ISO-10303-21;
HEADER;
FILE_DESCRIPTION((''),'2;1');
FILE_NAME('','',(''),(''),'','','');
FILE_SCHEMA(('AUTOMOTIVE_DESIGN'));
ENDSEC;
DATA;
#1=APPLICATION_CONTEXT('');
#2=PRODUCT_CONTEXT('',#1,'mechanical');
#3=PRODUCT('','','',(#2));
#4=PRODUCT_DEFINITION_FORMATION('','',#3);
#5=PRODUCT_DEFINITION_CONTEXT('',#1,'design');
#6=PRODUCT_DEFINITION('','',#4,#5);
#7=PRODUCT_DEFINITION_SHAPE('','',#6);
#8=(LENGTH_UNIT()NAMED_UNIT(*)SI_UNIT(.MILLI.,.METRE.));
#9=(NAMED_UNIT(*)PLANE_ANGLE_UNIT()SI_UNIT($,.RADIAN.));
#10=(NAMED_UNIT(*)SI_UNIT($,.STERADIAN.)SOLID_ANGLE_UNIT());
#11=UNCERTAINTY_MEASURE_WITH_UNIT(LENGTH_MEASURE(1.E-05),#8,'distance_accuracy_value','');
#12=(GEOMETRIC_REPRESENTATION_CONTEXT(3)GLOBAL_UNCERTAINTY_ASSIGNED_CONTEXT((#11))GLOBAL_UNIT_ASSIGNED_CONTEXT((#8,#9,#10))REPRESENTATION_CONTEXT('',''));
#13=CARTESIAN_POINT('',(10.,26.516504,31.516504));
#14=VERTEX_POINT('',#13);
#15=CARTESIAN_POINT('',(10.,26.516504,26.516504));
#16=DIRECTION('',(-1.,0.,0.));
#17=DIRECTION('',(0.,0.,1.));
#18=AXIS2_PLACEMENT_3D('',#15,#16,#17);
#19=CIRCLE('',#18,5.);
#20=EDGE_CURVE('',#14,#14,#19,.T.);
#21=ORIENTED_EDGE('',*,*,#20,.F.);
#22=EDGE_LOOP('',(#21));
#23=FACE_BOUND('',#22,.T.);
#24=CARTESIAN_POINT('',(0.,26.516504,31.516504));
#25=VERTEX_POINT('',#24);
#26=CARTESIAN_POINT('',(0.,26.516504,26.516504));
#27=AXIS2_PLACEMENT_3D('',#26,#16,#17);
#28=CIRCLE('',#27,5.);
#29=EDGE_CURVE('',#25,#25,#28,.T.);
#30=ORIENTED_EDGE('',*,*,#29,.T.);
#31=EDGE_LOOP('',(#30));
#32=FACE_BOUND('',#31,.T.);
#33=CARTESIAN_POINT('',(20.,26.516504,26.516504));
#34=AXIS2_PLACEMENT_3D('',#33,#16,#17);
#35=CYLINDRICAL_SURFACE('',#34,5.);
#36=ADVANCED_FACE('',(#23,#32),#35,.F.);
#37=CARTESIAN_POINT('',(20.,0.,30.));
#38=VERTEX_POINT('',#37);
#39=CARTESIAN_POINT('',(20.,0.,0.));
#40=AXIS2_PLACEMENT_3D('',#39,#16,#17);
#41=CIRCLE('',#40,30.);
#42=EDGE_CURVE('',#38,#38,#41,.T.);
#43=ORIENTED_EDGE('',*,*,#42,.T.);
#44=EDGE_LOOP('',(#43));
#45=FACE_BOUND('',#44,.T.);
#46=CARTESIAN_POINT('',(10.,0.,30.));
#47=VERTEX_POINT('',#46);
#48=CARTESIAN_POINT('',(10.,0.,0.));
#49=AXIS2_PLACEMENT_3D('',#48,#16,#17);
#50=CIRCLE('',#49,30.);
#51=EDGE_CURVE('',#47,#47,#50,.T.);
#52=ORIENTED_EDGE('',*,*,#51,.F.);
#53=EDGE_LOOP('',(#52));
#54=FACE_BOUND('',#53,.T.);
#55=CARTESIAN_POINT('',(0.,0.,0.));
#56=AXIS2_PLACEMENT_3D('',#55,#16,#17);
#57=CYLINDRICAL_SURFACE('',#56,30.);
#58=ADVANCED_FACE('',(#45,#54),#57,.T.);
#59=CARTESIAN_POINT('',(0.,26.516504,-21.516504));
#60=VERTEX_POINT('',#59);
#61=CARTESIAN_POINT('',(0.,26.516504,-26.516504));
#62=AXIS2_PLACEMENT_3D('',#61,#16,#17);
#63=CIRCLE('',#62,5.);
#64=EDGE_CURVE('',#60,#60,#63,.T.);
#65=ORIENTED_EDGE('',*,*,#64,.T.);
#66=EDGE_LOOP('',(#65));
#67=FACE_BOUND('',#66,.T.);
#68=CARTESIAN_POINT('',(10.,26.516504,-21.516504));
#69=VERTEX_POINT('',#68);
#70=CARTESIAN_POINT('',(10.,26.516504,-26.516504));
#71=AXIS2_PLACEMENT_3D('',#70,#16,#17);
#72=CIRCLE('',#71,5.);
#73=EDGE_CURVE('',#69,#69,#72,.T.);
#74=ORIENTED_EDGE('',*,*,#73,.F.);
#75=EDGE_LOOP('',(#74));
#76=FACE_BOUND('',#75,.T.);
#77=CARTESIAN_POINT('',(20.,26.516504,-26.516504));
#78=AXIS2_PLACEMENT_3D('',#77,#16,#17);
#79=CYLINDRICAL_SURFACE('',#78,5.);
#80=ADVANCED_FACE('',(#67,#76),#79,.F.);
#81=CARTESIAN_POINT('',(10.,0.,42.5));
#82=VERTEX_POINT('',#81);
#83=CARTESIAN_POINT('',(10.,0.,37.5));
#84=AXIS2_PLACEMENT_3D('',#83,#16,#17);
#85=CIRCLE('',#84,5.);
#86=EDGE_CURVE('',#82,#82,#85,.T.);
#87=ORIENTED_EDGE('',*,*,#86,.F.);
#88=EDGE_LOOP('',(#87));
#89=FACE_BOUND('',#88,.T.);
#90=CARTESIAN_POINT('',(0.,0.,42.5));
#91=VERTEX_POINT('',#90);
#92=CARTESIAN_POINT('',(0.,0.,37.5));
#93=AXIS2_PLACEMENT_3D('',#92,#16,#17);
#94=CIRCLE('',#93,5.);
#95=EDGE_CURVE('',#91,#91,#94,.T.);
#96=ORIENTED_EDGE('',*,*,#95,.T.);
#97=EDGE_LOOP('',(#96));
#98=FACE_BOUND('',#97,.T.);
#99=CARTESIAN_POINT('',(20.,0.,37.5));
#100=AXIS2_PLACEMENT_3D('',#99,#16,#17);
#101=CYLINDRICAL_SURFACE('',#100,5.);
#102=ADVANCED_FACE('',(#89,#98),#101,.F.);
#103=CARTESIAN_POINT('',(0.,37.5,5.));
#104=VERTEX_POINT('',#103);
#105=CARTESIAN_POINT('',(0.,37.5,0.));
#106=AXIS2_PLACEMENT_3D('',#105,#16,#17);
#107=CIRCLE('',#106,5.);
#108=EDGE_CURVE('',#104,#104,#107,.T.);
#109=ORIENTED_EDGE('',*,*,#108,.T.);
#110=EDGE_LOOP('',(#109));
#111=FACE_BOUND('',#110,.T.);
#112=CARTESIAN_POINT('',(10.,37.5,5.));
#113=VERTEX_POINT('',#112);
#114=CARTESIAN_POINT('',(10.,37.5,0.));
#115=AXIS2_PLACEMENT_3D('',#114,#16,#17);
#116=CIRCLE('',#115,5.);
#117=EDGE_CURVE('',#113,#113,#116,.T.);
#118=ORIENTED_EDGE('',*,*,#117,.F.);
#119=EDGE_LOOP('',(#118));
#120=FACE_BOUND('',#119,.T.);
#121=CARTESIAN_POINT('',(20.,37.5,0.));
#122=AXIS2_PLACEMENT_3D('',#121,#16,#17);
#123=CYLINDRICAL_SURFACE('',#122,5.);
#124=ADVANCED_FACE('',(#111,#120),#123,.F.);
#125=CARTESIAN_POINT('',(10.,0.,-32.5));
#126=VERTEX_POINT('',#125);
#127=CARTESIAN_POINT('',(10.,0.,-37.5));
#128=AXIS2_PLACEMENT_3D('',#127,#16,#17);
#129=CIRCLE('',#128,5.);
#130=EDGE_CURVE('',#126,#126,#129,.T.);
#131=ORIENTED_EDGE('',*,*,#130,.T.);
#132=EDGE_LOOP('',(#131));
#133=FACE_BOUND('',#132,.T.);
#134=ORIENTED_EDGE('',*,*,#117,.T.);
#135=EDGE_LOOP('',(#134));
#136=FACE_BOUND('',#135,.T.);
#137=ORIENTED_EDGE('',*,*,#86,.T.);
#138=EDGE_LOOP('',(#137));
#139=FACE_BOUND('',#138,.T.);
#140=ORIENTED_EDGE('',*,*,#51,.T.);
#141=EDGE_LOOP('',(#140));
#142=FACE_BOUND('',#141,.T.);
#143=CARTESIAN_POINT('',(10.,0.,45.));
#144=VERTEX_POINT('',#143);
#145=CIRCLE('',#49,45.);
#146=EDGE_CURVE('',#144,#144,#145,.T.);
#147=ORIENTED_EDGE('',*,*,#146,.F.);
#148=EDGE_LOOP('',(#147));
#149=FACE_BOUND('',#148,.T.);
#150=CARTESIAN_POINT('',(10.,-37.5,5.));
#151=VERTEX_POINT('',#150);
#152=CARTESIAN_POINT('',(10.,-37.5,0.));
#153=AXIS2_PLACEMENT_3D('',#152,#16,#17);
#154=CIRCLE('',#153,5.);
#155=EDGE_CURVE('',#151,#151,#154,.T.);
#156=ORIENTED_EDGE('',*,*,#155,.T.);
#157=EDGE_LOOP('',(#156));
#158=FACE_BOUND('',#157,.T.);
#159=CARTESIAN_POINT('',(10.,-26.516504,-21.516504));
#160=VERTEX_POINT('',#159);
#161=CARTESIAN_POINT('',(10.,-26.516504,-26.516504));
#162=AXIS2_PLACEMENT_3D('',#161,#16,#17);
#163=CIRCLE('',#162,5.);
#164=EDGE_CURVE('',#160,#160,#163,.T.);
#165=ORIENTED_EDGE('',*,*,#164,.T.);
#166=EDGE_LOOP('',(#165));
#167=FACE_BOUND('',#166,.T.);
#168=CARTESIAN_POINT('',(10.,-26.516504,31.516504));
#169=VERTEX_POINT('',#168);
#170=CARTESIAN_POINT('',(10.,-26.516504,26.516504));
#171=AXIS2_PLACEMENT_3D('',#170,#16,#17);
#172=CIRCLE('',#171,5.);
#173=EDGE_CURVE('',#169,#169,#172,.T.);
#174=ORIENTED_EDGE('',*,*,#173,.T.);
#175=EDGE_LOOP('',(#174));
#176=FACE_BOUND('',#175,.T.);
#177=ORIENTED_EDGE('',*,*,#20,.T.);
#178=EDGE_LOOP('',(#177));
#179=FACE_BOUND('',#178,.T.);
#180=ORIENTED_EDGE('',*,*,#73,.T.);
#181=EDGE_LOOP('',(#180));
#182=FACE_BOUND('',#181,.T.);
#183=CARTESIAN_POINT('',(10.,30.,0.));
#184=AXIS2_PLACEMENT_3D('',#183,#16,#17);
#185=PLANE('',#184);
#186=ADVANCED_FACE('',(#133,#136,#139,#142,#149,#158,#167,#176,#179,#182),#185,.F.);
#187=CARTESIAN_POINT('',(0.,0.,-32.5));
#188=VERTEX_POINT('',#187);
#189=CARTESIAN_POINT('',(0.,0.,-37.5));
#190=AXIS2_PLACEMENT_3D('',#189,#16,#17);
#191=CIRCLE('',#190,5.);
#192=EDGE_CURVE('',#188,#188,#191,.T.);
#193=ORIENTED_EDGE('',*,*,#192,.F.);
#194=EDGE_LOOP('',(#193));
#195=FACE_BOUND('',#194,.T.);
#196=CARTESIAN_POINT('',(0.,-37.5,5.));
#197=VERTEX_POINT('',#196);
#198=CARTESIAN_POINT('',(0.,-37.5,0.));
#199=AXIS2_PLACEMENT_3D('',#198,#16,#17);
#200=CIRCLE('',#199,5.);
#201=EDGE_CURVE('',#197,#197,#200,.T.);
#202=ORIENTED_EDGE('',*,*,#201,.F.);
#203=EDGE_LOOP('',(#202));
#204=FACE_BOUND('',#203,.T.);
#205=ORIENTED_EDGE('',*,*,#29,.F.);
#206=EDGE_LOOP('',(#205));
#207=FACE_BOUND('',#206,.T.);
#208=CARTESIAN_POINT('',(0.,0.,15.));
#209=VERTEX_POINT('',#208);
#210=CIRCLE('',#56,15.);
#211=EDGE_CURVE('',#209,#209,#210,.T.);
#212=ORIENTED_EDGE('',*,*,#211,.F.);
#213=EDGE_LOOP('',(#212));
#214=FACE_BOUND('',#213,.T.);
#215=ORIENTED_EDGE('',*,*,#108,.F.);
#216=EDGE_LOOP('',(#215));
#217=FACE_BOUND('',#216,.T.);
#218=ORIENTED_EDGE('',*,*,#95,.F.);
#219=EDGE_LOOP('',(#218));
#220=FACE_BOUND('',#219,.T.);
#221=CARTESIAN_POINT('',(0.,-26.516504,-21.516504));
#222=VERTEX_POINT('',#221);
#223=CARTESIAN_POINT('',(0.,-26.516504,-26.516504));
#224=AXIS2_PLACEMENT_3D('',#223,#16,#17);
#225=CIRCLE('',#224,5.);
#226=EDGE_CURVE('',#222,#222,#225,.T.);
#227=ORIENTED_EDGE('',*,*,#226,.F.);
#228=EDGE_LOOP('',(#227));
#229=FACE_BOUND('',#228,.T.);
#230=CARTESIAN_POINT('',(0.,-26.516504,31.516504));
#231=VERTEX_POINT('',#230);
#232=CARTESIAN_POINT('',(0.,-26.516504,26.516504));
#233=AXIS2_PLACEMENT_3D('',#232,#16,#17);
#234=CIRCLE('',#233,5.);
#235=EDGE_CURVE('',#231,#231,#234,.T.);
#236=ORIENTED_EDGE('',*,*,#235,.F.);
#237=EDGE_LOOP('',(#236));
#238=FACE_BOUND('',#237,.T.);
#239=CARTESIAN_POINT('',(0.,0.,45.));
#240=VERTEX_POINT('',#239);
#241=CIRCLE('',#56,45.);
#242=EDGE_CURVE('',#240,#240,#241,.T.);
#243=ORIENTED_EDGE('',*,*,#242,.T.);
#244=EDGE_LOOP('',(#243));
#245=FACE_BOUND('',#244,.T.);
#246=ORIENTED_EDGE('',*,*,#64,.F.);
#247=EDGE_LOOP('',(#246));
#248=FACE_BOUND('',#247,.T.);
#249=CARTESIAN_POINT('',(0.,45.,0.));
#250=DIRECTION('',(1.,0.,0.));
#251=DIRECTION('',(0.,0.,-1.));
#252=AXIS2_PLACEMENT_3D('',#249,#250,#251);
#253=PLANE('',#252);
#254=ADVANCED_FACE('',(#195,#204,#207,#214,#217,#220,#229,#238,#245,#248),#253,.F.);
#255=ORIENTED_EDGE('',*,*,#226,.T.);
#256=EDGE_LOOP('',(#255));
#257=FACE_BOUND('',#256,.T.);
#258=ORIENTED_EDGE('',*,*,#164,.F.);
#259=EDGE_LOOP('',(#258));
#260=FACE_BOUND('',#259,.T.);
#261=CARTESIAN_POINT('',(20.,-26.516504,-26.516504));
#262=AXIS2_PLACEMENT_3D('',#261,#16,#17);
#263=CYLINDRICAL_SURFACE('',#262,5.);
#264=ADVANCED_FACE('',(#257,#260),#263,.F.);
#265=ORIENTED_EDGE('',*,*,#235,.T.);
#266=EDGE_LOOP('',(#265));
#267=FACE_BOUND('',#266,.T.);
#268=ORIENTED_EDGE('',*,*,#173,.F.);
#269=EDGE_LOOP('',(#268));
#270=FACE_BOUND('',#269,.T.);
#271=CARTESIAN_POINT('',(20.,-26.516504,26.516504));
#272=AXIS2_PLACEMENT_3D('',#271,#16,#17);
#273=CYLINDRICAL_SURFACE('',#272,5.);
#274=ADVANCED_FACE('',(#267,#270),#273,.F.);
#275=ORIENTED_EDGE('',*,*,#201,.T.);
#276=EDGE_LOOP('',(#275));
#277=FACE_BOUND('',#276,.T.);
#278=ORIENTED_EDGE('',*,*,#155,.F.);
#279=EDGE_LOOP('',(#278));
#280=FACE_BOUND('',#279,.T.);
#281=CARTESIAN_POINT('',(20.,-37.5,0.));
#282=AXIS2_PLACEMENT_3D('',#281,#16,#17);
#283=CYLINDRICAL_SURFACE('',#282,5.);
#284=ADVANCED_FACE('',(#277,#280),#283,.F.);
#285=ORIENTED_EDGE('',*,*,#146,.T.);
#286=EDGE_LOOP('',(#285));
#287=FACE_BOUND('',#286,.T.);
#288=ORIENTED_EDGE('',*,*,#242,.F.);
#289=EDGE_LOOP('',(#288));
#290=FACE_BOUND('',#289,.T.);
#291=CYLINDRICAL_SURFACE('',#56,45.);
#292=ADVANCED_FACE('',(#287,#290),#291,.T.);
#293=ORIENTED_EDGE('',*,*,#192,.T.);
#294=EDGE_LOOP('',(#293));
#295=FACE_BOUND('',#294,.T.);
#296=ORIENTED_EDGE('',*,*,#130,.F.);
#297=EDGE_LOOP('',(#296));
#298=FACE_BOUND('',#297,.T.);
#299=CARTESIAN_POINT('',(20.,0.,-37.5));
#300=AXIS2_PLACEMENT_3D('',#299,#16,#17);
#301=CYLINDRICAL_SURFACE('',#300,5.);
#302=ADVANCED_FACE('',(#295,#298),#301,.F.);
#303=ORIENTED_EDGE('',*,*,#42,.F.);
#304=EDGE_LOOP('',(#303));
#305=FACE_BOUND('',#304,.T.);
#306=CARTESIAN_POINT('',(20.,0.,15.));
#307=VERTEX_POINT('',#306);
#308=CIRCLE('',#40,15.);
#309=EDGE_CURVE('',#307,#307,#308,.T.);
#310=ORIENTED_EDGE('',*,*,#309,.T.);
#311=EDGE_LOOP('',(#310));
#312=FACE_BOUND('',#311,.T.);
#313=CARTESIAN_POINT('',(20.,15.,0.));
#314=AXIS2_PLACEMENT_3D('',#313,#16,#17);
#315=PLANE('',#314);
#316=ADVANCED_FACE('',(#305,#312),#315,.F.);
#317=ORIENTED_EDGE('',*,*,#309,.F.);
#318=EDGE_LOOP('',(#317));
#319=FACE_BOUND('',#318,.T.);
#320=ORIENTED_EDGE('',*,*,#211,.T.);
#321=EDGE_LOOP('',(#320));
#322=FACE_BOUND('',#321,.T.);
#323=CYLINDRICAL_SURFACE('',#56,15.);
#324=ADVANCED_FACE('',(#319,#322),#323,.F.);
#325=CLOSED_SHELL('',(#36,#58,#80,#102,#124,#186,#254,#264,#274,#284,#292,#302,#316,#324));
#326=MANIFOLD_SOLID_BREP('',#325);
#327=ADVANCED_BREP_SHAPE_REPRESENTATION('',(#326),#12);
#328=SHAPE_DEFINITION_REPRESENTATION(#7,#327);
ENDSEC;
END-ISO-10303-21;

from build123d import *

# Parameters (mm, degrees)
SKETCH3_R          = 5
CUT_EXTRUDE1_DEPTH = 67.708320321


with BuildPart() as part:
    # Sketch2 → Revolve1 (revolve)
    with BuildSketch(Plane.XY, mode=Mode.PRIVATE) as revolve1_sk:
        Polygon((0, 15), (20, 15), (20, 30), (10, 30), (10, 45), (0, 45), align=None)
    revolve(revolve1_sk.sketch.rotate(Axis((0, 0, 0), (1, 0, 0)), 90), axis=Axis((0, 0, 0), (1, 0, 0)))

    # Sketch3 → Cut-Extrude1 (cut, through all)
    with BuildSketch(Plane.ZY):
        with Locations((0, 37.5)):
            Circle(SKETCH3_R)
        with Locations((26.516504294, 26.516504294)):
            Circle(SKETCH3_R)
        with Locations((37.5, 0)):
            Circle(SKETCH3_R)
        with Locations((26.516504294, -26.516504294)):
            Circle(SKETCH3_R)
        with Locations((0, -37.5)):
            Circle(SKETCH3_R)
        with Locations((-26.516504294, -26.516504294)):
            Circle(SKETCH3_R)
        with Locations((-37.5, 0)):
            Circle(SKETCH3_R)
        with Locations((-26.516504294, 26.516504294)):
            Circle(SKETCH3_R)
    extrude(amount=-CUT_EXTRUDE1_DEPTH, mode=Mode.SUBTRACT)


solid = part.part
